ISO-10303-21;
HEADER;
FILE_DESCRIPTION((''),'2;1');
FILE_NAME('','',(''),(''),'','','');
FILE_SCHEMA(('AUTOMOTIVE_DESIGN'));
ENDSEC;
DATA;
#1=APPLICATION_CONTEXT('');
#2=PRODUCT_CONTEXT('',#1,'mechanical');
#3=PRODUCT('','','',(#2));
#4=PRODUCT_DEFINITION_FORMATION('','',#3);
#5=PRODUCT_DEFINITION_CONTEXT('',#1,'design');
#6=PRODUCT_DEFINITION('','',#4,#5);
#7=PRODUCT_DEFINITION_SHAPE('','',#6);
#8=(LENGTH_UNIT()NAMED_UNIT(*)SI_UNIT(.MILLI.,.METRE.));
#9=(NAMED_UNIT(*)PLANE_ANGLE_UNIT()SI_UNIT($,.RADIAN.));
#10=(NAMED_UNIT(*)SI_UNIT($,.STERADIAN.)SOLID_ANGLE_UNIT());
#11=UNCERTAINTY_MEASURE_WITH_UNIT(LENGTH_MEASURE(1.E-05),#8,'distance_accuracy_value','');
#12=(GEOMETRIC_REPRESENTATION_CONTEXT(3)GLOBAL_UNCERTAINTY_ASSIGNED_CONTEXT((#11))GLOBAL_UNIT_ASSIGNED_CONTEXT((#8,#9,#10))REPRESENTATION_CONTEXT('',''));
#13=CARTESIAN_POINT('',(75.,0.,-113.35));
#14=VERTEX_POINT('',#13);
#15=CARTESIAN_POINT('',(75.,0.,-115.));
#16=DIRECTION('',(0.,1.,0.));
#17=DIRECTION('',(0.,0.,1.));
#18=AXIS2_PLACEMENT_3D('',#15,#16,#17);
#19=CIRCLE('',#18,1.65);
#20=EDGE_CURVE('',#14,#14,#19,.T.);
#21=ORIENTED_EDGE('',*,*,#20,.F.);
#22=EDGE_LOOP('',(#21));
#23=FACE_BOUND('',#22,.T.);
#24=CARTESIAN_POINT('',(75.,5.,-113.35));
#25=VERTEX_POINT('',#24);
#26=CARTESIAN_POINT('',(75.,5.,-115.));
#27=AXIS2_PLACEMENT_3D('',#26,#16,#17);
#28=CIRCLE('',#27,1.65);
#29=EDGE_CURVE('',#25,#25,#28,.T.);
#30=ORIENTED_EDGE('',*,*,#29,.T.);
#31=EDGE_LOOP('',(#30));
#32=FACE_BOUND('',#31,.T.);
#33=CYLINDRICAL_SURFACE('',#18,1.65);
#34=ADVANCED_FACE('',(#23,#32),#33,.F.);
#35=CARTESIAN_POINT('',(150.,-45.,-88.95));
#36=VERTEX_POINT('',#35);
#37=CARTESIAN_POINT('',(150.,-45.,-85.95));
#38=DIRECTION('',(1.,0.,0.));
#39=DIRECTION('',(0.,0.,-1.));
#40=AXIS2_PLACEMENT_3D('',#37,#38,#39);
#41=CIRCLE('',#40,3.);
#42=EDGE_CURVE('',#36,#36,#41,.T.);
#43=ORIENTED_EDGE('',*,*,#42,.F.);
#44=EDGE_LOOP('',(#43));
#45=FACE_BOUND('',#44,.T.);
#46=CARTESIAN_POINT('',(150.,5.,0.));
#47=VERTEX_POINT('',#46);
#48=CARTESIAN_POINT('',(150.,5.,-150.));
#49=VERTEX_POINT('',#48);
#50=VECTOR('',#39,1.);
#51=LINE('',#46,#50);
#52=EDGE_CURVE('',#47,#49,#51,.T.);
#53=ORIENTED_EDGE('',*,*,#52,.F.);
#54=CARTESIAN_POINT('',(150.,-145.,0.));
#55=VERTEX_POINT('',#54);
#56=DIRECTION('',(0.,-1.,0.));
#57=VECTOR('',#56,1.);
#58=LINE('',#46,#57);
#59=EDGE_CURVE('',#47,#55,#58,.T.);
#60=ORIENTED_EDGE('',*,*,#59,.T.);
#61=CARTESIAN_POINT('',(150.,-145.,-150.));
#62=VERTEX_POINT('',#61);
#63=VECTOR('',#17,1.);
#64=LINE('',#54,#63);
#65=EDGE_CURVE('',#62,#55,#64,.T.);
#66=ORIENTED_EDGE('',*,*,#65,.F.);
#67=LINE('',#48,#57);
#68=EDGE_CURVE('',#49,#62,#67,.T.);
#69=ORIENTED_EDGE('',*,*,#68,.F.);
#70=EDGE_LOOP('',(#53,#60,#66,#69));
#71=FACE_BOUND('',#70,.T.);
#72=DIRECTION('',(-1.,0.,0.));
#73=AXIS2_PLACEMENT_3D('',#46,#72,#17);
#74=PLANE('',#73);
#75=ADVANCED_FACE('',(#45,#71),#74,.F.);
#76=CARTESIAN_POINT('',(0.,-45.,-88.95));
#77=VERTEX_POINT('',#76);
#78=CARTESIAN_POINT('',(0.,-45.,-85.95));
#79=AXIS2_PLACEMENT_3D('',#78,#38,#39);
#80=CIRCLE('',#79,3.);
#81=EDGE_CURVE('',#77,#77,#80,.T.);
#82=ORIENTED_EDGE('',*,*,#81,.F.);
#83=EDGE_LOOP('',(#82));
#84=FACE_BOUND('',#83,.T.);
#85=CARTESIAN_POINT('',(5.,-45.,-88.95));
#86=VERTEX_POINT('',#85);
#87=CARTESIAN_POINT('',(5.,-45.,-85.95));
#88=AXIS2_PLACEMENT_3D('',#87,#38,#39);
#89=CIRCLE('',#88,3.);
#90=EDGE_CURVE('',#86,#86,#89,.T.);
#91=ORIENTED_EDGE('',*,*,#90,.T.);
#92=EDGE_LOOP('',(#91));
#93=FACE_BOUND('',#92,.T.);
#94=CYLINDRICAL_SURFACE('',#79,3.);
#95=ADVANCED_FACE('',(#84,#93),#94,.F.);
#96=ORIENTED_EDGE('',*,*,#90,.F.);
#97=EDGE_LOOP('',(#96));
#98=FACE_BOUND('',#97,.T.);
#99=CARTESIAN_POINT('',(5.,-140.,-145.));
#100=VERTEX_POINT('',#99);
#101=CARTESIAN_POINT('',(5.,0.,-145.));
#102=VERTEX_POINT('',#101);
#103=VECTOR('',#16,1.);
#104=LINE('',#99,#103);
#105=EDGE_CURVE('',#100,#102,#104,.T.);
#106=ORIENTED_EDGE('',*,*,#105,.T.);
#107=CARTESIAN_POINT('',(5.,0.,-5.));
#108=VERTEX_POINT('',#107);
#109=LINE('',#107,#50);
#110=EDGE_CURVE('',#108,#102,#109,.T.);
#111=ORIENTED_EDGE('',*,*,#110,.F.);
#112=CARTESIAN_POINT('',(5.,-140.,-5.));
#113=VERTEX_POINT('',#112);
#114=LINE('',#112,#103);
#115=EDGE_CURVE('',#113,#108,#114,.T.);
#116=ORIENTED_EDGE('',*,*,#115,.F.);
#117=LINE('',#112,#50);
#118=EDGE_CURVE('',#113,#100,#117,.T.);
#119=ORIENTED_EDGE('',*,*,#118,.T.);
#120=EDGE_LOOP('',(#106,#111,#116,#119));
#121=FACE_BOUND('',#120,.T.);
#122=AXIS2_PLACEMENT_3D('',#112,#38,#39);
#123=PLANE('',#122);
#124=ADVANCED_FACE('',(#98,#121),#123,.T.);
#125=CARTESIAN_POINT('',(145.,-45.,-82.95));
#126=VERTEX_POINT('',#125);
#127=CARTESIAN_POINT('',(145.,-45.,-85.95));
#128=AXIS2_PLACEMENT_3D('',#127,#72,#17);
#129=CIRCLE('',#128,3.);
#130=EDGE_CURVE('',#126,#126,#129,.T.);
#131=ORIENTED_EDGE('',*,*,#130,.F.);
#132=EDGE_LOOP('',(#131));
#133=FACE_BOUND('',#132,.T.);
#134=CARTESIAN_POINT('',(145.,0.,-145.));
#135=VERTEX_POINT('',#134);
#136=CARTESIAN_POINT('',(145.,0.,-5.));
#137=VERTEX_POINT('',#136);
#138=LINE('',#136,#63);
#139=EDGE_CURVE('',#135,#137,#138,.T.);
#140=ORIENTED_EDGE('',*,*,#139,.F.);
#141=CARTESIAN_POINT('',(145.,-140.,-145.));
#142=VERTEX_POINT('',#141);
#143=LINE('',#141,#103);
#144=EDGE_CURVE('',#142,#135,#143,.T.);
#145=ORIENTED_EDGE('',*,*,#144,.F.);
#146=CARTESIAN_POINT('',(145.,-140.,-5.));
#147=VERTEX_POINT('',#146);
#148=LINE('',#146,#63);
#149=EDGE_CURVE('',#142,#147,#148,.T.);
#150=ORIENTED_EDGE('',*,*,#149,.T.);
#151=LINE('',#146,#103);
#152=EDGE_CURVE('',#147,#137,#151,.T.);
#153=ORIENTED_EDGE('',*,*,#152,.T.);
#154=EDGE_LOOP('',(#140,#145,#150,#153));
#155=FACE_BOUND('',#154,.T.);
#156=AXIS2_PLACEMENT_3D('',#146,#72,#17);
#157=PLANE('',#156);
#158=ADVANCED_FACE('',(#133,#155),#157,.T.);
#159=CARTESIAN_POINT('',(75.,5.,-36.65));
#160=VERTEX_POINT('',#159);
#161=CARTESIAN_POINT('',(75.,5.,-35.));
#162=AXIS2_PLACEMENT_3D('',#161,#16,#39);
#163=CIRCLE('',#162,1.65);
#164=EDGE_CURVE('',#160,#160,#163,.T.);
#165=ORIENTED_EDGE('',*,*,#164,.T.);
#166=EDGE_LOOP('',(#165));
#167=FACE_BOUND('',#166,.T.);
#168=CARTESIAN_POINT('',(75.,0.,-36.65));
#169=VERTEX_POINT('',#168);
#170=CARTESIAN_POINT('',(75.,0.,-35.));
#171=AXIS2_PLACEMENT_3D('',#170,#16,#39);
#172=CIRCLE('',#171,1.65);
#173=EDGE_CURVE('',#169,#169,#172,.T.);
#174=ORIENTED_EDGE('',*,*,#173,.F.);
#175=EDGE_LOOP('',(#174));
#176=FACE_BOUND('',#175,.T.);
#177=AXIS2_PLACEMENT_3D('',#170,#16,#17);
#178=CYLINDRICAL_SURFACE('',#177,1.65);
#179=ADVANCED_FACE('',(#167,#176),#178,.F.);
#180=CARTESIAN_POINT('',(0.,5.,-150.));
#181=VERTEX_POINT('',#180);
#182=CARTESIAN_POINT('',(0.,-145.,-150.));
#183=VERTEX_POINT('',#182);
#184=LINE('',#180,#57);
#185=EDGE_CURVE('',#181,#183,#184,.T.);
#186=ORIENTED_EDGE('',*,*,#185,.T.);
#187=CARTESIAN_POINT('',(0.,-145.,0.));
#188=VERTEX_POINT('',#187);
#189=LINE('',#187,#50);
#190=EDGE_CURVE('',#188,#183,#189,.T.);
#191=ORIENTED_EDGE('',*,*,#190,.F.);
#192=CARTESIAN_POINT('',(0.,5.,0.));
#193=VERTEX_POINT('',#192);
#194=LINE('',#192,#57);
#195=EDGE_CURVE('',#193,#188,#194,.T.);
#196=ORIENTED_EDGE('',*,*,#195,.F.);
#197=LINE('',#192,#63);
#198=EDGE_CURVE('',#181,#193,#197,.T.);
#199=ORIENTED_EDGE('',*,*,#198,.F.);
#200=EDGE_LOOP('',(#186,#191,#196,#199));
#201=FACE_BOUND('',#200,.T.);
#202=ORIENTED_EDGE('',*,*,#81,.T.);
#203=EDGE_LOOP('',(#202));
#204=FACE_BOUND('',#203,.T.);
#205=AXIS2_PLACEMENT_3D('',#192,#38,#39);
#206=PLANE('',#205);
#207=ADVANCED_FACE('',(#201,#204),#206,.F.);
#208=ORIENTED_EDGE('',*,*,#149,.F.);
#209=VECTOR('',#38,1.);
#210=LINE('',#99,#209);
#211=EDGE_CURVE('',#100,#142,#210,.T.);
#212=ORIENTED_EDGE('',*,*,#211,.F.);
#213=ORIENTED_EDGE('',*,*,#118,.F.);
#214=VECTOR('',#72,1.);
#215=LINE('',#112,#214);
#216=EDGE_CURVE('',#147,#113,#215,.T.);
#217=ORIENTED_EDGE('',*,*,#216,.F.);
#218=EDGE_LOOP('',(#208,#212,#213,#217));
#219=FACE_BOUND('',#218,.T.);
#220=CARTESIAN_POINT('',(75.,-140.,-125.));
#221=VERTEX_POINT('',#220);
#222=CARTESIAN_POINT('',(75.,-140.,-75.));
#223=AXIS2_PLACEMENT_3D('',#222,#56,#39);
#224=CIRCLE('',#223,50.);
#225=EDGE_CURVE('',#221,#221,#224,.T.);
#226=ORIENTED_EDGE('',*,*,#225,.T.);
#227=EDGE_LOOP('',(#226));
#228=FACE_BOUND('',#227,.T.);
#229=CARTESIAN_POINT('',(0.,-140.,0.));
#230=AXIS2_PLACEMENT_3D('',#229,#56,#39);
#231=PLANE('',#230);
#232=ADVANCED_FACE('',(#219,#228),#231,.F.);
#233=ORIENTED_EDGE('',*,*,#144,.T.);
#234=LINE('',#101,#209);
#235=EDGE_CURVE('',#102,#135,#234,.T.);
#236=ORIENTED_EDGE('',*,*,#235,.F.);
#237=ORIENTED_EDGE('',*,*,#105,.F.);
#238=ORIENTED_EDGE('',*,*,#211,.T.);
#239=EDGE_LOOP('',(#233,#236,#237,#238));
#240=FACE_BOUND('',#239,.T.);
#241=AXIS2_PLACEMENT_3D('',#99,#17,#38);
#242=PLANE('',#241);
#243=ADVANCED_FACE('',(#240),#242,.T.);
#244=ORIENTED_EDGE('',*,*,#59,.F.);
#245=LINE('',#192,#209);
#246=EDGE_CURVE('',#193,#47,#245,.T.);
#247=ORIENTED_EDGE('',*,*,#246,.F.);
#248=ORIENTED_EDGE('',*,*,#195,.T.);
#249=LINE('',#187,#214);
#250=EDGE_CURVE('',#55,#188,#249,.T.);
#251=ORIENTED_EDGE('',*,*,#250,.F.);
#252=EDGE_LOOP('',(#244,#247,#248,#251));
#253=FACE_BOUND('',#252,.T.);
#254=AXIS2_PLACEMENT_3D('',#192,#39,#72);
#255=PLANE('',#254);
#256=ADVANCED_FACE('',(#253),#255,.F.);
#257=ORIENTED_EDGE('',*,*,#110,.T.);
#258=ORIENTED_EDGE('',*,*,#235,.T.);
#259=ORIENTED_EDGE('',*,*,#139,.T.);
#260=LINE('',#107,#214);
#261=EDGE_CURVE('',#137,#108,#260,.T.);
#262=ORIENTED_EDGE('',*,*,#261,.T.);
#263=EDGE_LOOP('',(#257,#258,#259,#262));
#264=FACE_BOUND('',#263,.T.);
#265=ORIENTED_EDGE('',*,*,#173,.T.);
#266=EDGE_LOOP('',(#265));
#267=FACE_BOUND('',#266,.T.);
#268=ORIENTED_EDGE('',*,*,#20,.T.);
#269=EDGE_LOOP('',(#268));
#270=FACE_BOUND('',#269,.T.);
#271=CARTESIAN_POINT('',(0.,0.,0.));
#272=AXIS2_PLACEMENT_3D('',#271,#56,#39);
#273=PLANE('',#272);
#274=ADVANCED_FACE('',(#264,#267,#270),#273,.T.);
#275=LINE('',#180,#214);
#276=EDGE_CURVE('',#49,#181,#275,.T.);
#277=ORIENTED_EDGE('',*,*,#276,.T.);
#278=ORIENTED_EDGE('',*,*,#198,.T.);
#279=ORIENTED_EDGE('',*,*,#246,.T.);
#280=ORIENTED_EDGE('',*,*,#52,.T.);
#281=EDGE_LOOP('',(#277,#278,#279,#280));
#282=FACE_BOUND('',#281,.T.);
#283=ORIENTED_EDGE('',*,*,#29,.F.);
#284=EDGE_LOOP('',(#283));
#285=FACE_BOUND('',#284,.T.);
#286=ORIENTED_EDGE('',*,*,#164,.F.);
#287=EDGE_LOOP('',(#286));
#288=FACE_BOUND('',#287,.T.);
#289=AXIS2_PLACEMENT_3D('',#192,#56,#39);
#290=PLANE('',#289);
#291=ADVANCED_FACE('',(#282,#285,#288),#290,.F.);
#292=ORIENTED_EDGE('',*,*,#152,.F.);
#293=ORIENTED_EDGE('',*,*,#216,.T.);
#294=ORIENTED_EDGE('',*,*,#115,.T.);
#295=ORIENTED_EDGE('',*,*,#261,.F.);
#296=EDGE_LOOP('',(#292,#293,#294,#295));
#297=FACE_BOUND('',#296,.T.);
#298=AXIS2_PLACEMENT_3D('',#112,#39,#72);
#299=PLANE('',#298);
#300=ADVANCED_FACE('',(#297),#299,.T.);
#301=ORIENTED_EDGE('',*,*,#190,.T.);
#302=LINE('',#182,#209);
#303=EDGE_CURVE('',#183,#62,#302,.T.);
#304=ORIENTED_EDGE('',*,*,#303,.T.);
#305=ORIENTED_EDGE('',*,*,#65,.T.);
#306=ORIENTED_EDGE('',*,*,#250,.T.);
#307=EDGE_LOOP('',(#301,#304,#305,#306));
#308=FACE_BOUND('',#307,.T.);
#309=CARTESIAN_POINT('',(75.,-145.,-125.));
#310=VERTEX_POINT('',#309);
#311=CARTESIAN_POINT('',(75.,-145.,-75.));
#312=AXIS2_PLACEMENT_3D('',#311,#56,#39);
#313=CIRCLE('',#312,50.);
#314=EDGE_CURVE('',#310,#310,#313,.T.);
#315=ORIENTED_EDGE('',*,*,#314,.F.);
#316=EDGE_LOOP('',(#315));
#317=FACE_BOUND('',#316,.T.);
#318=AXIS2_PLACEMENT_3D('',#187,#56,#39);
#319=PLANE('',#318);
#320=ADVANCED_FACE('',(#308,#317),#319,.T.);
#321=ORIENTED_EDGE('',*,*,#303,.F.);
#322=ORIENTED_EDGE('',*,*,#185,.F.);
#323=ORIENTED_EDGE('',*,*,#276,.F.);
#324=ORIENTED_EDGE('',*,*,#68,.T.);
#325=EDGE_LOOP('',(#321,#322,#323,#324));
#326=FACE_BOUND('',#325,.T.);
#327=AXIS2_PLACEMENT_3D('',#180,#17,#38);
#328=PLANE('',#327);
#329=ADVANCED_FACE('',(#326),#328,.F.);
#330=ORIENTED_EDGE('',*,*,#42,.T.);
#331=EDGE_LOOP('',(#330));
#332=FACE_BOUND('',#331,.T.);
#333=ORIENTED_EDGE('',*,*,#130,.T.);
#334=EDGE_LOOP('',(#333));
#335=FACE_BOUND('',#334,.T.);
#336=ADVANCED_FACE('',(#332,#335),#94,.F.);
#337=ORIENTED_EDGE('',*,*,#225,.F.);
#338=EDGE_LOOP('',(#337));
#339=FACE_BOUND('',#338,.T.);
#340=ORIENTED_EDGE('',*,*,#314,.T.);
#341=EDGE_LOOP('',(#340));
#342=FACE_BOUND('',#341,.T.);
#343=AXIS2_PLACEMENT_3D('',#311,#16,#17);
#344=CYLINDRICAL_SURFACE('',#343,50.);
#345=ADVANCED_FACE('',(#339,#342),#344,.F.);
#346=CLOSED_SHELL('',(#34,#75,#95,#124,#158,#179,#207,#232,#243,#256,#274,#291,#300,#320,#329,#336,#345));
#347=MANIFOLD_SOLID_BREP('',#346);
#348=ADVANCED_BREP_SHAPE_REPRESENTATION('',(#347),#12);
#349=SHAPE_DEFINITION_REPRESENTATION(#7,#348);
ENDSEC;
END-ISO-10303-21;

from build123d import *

# Parameters (mm, degrees)
SKETCH_1_W          = 150
SKETCH_1_H          = 150
EXTRUDE_1_DEPTH     = 5
SKETCH_3_W          = 150
SKETCH_3_H          = 150
SKETCH_3_W_2        = 140
SKETCH_3_H_2        = 140
EXTRUDE_2_DEPTH     = 140
SKETCH_5_R          = 1.65
CUT_EXTRUDE_1_DEPTH = 5
SKETCH_8_W          = 150
SKETCH_8_H          = 150
SKETCH_8_R          = 50
EXTRUDE_3_DEPTH     = 5
SKETCH_7_R          = 3
CUT_EXTRUDE_2_DEPTH = 257.953303151


with BuildPart() as part:
    # 草图1 → 凸台-拉伸1 (new body)
    with BuildSketch(Plane(origin=(0, 0, 0), x_dir=(1, 0, 0), z_dir=(0, 1, 0))):
        with Locations((75, 75)):
            Rectangle(SKETCH_1_W, SKETCH_1_H)
    extrude(amount=EXTRUDE_1_DEPTH)

    # 草图3 → 凸台-拉伸2 (add)
    with BuildSketch(Plane.XZ):
        with Locations((75, -75)):
            Rectangle(SKETCH_3_W, SKETCH_3_H)
        with Locations((75, -75)):
            Rectangle(SKETCH_3_W_2, SKETCH_3_H_2, mode=Mode.SUBTRACT)
    extrude(amount=EXTRUDE_2_DEPTH)

    # 草图5 → 切除-拉伸1 (cut)
    with BuildSketch(Plane(origin=(0, 5, 0), x_dir=(1, 0, 0), z_dir=(0, 1, 0))):
        with Locations(Location((75, 115, 0), (0, 0, 270))):
            Circle(SKETCH_5_R)
        with Locations(Location((75, 35, 0), (0, 0, 90))):
            Circle(SKETCH_5_R)
    extrude(amount=-CUT_EXTRUDE_1_DEPTH, mode=Mode.SUBTRACT)

    # 草图8 → 凸台-拉伸3 (add)
    with BuildSketch(Plane.XZ.offset(140)):
        with Locations((75, -75)):
            Rectangle(SKETCH_8_W, SKETCH_8_H)
        with Locations(Location((75, -75, 0), (0, 0, 270))):
            Circle(SKETCH_8_R, mode=Mode.SUBTRACT)
    extrude(amount=EXTRUDE_3_DEPTH)

    # 草图7 → 切除-拉伸2 (cut, through all)
    with BuildSketch(Plane(origin=(150, 0, 0), x_dir=(0, 0, -1), z_dir=(1, 0, 0))):
        with Locations((85.95, -45)):
            Circle(SKETCH_7_R)
    extrude(amount=-CUT_EXTRUDE_2_DEPTH, mode=Mode.SUBTRACT)


solid = part.part
